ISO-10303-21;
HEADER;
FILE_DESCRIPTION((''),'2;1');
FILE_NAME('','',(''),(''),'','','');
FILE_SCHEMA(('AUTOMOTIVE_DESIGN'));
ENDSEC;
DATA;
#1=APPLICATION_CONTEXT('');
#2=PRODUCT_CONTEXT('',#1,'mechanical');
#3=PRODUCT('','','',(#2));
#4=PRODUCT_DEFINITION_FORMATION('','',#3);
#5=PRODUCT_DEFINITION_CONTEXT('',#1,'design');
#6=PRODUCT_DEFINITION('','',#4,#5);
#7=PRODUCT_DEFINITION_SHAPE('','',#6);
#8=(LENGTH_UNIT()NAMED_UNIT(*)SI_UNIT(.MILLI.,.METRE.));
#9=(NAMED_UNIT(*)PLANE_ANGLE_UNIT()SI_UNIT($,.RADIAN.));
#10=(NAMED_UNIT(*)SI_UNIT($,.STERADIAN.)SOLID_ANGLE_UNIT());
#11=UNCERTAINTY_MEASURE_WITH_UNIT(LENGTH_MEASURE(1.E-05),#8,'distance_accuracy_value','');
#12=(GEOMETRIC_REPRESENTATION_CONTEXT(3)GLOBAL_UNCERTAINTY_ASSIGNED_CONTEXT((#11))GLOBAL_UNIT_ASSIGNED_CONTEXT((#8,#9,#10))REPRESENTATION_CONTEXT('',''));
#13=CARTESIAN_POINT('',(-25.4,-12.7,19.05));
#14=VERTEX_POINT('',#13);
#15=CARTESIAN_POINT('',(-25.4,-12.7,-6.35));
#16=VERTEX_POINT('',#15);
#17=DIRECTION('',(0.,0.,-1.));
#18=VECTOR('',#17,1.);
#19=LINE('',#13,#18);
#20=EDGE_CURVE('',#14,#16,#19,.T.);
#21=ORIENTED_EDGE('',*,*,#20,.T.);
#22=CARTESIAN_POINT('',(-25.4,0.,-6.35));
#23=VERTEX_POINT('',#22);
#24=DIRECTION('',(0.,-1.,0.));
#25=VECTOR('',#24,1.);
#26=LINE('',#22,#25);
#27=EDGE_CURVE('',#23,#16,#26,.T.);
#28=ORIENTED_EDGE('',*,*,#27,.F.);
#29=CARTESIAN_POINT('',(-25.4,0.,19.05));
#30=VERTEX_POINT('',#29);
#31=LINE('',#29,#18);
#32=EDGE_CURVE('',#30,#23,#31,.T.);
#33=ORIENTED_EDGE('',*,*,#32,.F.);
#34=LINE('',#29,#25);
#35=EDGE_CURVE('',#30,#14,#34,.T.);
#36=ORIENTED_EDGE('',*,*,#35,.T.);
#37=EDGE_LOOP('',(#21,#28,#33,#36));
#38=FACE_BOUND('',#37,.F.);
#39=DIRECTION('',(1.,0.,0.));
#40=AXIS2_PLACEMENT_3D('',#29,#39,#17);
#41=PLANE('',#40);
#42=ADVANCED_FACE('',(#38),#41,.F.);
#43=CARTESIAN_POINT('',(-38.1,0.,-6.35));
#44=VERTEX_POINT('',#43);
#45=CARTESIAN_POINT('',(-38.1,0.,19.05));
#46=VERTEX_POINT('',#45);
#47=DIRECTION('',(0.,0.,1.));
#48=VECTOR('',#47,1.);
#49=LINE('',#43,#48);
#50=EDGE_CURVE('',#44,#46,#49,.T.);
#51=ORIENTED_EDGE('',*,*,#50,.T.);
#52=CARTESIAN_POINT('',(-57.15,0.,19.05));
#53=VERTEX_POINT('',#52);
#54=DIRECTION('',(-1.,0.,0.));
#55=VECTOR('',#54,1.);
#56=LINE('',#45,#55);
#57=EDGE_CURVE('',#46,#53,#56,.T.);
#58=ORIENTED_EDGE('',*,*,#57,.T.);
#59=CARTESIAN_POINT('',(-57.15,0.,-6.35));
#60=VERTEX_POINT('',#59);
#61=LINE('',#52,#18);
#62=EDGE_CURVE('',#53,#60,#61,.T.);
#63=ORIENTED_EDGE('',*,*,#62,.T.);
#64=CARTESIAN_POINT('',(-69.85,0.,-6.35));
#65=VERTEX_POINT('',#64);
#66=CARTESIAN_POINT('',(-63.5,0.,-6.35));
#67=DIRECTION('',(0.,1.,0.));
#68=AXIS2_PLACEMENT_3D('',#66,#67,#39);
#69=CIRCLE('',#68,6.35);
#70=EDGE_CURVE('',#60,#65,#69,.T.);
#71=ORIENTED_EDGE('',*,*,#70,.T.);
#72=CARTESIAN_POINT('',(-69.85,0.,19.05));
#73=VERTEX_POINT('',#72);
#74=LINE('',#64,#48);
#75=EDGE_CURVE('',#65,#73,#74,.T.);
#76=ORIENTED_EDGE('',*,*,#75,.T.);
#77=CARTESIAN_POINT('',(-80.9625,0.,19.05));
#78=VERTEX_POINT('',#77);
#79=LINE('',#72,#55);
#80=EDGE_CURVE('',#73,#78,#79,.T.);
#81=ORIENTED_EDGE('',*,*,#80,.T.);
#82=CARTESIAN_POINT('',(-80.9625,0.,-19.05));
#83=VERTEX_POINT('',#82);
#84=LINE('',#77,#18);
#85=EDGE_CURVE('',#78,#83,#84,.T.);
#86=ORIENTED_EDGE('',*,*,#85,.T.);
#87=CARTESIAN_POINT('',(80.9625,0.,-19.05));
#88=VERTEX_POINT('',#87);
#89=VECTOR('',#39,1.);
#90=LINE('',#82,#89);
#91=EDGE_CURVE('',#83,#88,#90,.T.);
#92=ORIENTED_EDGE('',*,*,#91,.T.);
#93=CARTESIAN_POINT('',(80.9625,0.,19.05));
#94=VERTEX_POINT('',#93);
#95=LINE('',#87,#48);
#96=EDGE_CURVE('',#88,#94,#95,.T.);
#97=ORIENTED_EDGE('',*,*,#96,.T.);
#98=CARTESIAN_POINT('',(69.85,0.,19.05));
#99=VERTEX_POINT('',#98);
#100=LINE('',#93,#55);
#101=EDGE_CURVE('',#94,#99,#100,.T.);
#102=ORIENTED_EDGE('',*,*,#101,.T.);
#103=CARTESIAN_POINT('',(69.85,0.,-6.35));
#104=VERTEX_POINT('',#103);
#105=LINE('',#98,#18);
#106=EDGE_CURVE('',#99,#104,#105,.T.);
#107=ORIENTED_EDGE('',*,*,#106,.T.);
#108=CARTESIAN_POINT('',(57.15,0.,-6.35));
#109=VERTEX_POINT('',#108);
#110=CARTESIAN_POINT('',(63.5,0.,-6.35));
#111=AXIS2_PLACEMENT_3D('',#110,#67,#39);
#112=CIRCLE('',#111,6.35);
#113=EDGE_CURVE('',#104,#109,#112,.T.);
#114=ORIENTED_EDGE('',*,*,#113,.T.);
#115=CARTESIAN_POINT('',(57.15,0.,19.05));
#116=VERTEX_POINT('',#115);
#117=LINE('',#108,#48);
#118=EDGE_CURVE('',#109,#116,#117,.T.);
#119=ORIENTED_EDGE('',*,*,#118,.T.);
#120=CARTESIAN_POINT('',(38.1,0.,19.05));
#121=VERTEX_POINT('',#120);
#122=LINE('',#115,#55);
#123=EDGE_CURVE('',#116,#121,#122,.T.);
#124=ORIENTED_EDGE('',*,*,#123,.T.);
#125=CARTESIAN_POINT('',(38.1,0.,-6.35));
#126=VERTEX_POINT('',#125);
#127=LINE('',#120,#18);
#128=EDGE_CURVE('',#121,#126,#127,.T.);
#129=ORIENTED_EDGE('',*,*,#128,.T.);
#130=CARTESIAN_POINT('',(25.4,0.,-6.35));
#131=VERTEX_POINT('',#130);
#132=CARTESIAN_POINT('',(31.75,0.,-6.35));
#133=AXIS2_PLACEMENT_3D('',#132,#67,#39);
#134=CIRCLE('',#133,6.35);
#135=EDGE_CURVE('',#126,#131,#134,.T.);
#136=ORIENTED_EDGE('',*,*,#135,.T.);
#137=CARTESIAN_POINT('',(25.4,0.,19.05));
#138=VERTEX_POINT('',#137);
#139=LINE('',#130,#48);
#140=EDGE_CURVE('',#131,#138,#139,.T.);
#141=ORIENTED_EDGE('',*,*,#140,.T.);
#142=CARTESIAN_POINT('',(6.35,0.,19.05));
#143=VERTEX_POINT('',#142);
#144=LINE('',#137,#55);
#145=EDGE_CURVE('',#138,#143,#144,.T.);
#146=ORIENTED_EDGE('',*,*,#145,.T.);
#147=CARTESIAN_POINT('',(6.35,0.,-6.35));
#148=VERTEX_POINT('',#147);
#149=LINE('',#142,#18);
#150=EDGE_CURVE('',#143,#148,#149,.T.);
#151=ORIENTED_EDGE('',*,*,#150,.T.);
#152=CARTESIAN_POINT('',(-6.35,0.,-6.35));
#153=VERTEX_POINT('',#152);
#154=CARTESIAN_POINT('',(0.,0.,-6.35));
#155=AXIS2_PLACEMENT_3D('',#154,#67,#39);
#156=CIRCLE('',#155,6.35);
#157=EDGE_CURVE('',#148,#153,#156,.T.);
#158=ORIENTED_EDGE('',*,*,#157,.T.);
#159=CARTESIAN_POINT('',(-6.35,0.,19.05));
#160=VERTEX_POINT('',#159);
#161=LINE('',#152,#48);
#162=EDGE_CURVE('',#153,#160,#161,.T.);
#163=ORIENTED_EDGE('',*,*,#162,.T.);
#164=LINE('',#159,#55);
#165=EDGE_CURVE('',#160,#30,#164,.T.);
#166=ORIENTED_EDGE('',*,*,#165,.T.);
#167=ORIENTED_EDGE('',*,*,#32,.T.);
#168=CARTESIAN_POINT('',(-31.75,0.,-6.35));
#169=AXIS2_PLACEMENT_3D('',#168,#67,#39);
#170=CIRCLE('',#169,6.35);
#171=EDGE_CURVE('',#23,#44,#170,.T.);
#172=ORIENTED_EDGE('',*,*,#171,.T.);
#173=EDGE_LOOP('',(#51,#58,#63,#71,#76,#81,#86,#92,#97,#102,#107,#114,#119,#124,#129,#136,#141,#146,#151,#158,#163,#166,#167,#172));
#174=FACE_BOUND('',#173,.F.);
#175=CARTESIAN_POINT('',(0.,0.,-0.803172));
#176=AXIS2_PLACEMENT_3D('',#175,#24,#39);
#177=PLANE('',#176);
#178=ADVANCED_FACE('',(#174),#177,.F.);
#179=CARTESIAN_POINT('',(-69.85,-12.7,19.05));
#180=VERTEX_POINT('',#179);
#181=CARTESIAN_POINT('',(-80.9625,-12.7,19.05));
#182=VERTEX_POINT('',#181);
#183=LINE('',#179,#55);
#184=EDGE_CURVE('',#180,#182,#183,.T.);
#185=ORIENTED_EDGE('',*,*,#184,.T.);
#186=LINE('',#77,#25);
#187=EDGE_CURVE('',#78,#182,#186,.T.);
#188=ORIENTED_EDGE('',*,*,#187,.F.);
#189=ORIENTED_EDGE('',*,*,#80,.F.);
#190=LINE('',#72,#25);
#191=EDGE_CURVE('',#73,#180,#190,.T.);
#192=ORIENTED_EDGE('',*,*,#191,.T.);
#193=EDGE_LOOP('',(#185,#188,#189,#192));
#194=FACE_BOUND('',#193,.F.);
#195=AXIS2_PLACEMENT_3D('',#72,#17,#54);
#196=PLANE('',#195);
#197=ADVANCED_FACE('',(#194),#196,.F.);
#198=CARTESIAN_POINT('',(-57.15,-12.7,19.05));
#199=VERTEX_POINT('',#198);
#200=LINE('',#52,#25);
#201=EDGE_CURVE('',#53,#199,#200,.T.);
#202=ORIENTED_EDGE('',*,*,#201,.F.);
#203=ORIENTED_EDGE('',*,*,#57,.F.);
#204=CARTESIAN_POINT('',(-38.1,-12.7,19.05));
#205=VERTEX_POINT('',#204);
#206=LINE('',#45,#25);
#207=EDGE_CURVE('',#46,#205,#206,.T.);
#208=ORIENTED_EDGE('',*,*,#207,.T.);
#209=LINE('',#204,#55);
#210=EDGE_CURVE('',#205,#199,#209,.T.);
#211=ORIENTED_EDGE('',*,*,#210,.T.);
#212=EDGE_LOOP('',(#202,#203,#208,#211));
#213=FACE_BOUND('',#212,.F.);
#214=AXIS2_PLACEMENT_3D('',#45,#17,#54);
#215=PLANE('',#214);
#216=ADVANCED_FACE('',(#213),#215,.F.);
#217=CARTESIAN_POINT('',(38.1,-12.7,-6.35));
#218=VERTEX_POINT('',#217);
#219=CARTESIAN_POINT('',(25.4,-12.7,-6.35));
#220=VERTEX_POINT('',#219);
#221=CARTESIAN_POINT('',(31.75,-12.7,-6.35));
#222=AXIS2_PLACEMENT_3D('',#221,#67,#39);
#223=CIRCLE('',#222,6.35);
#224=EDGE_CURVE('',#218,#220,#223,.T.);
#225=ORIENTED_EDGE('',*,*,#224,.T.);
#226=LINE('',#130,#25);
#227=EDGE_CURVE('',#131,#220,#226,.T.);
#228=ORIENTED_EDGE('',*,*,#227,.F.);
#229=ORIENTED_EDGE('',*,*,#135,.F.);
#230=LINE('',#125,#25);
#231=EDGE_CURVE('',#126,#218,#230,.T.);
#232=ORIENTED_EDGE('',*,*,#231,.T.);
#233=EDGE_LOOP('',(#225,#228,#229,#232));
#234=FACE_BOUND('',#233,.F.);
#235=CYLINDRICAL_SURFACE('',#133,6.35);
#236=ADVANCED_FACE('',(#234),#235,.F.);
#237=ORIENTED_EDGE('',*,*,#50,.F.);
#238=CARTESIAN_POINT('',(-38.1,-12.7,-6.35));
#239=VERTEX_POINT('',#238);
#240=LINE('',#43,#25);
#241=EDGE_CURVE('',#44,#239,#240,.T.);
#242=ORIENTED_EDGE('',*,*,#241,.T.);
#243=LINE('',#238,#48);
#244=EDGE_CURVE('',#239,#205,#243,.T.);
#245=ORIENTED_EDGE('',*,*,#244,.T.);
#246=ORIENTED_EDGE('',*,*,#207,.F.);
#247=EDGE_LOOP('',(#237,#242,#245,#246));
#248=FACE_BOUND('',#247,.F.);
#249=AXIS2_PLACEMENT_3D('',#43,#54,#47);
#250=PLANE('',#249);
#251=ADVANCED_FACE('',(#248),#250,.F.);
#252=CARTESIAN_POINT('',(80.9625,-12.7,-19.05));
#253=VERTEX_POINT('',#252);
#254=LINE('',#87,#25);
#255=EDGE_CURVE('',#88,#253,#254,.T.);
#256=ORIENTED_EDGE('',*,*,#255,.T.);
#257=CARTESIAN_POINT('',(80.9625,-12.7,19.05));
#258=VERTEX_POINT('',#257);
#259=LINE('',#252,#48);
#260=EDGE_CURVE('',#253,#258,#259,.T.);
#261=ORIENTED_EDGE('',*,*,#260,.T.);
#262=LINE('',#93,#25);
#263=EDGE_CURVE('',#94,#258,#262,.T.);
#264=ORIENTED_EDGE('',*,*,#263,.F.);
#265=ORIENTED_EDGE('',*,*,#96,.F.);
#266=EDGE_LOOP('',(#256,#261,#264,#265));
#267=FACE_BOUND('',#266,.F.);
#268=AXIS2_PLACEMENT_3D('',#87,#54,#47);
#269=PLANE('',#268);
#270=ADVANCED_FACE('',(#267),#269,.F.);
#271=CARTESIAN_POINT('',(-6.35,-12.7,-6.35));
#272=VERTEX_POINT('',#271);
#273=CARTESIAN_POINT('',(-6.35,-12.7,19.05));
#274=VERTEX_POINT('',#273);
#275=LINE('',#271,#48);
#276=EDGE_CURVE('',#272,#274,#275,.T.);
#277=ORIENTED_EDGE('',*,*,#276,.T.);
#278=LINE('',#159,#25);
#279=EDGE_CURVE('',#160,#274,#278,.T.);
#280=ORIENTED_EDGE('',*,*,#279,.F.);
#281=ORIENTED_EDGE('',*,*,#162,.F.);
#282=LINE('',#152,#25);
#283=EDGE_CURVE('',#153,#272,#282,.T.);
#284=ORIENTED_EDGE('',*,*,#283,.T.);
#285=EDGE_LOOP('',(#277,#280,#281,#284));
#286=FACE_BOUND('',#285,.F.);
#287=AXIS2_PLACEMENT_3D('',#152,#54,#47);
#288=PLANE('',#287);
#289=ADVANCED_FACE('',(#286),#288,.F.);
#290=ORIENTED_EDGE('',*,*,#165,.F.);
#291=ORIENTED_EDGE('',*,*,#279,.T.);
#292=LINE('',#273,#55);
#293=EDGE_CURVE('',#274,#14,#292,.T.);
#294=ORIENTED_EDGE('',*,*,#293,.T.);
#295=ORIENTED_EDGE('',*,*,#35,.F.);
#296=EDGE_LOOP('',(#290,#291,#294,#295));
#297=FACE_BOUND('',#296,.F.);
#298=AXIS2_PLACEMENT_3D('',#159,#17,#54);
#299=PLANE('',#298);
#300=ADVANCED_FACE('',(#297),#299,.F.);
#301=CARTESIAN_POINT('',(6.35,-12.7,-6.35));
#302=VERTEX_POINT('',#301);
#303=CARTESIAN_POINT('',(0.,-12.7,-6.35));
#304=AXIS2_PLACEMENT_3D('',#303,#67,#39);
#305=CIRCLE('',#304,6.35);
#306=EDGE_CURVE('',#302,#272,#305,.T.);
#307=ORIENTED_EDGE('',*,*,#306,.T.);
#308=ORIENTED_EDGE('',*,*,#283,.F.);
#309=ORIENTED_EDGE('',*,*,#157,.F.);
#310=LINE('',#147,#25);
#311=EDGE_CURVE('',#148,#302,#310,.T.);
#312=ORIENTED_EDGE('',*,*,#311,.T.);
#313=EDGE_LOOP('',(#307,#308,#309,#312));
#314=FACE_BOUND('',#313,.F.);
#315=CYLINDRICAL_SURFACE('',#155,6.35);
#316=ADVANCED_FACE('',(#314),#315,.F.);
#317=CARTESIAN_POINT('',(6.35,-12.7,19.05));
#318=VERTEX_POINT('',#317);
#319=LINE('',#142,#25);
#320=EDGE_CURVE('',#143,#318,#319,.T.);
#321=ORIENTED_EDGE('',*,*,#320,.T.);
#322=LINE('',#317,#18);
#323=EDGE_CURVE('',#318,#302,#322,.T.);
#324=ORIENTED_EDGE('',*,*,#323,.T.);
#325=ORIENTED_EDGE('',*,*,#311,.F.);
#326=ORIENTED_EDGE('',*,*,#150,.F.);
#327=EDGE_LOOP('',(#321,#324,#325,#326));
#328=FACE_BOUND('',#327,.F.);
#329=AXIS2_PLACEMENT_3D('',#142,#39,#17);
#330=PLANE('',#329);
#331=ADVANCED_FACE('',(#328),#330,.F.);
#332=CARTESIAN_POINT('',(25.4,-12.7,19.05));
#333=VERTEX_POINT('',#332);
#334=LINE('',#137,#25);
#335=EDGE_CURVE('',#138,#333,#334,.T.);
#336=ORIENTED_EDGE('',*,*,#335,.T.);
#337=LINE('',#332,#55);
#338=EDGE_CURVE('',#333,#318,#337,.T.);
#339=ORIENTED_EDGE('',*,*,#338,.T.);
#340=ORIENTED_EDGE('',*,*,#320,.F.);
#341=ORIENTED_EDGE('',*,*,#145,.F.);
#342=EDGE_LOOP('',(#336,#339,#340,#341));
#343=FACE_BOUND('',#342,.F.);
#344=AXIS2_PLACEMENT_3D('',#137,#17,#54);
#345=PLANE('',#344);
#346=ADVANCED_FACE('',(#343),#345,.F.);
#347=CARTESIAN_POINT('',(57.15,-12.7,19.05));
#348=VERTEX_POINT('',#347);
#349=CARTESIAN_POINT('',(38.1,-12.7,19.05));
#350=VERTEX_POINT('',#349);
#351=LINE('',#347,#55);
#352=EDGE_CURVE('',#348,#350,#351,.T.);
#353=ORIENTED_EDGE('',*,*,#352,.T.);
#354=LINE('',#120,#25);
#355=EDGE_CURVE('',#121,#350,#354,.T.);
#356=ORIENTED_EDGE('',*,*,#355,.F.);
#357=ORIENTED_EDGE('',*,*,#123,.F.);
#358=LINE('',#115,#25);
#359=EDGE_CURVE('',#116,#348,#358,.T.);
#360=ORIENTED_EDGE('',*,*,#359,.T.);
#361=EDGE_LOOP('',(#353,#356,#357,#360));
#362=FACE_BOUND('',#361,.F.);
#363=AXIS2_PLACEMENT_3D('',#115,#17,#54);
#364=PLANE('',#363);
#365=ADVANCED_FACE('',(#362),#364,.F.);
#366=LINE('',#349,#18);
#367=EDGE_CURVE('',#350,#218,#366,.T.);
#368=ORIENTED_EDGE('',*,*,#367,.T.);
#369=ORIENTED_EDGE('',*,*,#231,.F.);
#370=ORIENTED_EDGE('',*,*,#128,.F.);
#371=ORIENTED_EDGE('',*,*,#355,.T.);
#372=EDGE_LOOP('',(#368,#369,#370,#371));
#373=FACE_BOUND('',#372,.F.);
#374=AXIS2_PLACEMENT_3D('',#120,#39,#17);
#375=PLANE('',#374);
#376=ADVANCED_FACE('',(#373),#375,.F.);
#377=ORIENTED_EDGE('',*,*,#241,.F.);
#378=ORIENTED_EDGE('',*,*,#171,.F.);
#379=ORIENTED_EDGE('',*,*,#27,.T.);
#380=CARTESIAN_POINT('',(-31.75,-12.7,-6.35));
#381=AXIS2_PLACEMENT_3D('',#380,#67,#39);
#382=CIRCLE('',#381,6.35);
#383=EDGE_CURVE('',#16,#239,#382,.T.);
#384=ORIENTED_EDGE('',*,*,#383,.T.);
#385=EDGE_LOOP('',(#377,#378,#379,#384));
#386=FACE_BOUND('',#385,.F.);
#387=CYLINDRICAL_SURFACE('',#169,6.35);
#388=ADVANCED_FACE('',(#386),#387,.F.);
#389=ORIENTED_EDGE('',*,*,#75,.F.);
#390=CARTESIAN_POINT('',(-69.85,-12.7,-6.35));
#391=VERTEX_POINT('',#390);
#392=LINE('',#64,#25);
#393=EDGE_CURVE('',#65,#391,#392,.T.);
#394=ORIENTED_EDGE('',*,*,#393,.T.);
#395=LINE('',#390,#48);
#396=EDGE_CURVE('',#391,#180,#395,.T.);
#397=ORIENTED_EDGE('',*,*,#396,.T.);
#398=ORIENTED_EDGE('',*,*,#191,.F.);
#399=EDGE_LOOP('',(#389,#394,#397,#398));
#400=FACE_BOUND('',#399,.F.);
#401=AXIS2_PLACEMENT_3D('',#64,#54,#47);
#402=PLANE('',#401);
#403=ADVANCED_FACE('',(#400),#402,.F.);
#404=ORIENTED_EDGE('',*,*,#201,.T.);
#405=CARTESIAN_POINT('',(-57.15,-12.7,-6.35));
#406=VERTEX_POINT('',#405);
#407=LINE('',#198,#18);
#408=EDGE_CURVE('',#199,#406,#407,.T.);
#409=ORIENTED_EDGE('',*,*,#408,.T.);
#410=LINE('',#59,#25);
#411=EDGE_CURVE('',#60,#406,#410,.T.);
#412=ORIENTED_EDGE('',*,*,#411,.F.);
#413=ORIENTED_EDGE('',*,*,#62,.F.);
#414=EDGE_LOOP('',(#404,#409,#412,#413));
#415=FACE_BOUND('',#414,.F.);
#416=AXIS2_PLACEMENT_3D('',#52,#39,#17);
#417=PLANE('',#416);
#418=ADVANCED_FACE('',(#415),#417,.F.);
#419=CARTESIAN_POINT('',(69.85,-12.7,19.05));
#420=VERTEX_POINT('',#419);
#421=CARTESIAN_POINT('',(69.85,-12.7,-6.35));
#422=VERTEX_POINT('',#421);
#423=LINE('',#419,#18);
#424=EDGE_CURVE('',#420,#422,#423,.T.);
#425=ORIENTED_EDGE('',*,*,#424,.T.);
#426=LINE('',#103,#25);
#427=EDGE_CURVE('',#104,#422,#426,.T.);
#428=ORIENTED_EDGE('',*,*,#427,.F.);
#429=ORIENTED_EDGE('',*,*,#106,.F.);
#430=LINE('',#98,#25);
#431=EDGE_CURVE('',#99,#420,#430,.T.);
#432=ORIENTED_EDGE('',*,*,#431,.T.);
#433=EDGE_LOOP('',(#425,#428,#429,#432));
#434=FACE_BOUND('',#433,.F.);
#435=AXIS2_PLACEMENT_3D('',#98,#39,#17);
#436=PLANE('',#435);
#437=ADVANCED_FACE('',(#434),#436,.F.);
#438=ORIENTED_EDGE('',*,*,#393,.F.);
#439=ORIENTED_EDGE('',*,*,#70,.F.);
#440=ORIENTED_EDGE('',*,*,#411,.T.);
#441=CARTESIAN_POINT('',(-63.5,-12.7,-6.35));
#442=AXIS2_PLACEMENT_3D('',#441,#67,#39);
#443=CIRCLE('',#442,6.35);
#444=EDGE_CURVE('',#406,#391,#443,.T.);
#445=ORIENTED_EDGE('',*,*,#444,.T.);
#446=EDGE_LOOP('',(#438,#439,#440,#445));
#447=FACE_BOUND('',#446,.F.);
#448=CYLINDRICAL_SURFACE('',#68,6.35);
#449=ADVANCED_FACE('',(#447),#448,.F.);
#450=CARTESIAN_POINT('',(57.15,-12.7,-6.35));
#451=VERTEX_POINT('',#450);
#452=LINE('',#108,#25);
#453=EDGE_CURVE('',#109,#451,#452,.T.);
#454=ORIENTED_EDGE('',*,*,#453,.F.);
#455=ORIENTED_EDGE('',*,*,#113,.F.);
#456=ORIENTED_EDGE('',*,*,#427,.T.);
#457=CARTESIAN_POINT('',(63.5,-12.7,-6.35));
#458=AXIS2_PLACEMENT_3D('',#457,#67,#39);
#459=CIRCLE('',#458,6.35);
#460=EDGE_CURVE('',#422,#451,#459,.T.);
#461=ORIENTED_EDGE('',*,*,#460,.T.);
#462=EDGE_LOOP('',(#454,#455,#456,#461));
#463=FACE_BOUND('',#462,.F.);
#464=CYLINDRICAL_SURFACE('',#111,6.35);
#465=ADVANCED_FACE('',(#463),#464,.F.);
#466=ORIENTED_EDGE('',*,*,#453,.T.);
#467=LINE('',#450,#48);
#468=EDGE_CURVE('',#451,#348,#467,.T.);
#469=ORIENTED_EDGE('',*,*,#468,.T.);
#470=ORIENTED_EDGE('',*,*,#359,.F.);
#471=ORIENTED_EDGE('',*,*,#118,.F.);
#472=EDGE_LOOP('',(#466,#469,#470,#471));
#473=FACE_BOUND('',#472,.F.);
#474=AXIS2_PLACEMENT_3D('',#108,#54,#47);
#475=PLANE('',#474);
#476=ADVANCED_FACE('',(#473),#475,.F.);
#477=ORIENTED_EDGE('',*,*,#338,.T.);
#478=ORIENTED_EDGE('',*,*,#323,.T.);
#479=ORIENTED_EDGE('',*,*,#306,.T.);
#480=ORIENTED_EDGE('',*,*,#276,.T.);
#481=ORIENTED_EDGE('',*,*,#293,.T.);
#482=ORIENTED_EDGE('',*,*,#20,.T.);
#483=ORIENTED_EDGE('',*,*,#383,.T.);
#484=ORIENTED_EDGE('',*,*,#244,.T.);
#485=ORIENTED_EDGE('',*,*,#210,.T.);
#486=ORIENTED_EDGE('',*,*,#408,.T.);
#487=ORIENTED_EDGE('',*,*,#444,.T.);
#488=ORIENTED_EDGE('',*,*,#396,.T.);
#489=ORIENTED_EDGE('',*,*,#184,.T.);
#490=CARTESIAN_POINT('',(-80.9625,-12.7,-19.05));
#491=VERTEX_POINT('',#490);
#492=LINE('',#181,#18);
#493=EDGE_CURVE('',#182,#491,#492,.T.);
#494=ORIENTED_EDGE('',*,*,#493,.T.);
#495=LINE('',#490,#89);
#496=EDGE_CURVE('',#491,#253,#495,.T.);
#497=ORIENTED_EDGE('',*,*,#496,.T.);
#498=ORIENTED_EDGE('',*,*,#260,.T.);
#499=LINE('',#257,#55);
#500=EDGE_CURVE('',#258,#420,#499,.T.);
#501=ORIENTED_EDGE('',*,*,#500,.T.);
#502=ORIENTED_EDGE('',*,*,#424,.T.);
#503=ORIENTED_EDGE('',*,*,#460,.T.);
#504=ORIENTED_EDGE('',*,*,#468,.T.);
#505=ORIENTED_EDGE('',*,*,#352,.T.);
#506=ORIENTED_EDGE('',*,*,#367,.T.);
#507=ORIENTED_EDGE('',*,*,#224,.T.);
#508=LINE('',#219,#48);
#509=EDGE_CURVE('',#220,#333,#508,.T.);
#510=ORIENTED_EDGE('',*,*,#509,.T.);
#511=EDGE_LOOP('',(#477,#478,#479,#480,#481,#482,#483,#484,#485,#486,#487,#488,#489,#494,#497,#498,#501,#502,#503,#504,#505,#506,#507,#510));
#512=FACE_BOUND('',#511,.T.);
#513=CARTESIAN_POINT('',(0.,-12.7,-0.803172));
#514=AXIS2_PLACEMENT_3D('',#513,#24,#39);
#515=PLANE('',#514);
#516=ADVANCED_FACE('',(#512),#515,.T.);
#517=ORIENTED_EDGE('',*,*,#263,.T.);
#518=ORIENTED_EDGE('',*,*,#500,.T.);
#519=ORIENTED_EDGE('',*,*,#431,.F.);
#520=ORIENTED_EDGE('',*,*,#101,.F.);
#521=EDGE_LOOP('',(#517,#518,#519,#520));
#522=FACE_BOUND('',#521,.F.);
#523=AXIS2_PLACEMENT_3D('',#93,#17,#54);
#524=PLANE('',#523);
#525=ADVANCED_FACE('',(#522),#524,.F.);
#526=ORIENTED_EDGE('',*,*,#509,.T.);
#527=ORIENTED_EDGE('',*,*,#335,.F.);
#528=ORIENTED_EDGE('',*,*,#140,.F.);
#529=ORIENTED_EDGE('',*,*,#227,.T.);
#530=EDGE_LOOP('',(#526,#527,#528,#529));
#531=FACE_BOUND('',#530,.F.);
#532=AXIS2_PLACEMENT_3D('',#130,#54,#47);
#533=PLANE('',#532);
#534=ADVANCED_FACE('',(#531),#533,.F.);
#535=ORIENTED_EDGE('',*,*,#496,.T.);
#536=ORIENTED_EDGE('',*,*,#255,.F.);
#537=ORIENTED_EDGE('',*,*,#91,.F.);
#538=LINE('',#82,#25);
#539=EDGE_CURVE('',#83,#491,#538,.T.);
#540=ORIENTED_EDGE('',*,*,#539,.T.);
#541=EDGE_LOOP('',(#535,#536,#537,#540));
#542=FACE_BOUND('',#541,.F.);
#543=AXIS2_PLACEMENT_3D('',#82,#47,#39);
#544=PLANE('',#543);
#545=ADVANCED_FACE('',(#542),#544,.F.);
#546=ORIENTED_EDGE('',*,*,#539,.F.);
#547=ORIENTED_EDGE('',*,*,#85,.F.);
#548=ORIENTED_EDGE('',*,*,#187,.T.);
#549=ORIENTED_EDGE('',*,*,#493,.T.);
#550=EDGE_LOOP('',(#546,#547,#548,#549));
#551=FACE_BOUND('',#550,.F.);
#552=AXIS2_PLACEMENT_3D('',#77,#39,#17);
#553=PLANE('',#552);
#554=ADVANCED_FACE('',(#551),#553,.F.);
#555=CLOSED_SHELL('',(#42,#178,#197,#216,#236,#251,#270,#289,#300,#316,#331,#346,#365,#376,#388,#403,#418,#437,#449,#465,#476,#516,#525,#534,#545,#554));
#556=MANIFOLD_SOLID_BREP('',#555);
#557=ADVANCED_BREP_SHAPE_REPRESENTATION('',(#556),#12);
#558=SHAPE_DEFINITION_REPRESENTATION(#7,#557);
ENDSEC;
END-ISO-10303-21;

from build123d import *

# Parameters (mm, degrees)
F1_DEPTH = 12.7


with BuildPart() as f1:
    # F0 (on Front) → F1 (new body)
    with BuildSketch(Plane.XZ):
        with BuildLine():
            Line((-80.9625, -19.05), (80.9625, -19.05))
            Line((80.9625, -19.05), (80.9625, 19.05))
            Line((80.9625, 19.05), (69.85, 19.05))
            Line((69.85, 19.05), (69.85, -6.35))
            ThreePointArc((69.85, -6.35), (63.5, -12.7), (57.15, -6.35))
            Line((57.15, -6.35), (57.15, 19.05))
            Line((57.15, 19.05), (38.1, 19.05))
            Line((38.1, 19.05), (38.1, -6.35))
            ThreePointArc((38.1, -6.35), (31.75, -12.7), (25.4, -6.35))
            Line((25.4, -6.35), (25.4, 19.05))
            Line((25.4, 19.05), (6.35, 19.05))
            Line((6.35, 19.05), (6.35, -6.35))
            ThreePointArc((6.35, -6.35), (0, -12.7), (-6.35, -6.35))
            Line((-6.35, -6.35), (-6.35, 19.05))
            Line((-6.35, 19.05), (-25.4, 19.05))
            Line((-25.4, 19.05), (-25.4, -6.35))
            ThreePointArc((-25.4, -6.35), (-31.75, -12.7), (-38.1, -6.35))
            Line((-38.1, -6.35), (-38.1, 19.05))
            Line((-38.1, 19.05), (-57.15, 19.05))
            Line((-57.15, 19.05), (-57.15, -6.35))
            ThreePointArc((-57.15, -6.35), (-63.5, -12.7), (-69.85, -6.35))
            Line((-69.85, -6.35), (-69.85, 19.05))
            Line((-69.85, 19.05), (-80.9625, 19.05))
            Line((-80.9625, 19.05), (-80.9625, -19.05))
        make_face()
    extrude(amount=F1_DEPTH)


solid = f1.part
